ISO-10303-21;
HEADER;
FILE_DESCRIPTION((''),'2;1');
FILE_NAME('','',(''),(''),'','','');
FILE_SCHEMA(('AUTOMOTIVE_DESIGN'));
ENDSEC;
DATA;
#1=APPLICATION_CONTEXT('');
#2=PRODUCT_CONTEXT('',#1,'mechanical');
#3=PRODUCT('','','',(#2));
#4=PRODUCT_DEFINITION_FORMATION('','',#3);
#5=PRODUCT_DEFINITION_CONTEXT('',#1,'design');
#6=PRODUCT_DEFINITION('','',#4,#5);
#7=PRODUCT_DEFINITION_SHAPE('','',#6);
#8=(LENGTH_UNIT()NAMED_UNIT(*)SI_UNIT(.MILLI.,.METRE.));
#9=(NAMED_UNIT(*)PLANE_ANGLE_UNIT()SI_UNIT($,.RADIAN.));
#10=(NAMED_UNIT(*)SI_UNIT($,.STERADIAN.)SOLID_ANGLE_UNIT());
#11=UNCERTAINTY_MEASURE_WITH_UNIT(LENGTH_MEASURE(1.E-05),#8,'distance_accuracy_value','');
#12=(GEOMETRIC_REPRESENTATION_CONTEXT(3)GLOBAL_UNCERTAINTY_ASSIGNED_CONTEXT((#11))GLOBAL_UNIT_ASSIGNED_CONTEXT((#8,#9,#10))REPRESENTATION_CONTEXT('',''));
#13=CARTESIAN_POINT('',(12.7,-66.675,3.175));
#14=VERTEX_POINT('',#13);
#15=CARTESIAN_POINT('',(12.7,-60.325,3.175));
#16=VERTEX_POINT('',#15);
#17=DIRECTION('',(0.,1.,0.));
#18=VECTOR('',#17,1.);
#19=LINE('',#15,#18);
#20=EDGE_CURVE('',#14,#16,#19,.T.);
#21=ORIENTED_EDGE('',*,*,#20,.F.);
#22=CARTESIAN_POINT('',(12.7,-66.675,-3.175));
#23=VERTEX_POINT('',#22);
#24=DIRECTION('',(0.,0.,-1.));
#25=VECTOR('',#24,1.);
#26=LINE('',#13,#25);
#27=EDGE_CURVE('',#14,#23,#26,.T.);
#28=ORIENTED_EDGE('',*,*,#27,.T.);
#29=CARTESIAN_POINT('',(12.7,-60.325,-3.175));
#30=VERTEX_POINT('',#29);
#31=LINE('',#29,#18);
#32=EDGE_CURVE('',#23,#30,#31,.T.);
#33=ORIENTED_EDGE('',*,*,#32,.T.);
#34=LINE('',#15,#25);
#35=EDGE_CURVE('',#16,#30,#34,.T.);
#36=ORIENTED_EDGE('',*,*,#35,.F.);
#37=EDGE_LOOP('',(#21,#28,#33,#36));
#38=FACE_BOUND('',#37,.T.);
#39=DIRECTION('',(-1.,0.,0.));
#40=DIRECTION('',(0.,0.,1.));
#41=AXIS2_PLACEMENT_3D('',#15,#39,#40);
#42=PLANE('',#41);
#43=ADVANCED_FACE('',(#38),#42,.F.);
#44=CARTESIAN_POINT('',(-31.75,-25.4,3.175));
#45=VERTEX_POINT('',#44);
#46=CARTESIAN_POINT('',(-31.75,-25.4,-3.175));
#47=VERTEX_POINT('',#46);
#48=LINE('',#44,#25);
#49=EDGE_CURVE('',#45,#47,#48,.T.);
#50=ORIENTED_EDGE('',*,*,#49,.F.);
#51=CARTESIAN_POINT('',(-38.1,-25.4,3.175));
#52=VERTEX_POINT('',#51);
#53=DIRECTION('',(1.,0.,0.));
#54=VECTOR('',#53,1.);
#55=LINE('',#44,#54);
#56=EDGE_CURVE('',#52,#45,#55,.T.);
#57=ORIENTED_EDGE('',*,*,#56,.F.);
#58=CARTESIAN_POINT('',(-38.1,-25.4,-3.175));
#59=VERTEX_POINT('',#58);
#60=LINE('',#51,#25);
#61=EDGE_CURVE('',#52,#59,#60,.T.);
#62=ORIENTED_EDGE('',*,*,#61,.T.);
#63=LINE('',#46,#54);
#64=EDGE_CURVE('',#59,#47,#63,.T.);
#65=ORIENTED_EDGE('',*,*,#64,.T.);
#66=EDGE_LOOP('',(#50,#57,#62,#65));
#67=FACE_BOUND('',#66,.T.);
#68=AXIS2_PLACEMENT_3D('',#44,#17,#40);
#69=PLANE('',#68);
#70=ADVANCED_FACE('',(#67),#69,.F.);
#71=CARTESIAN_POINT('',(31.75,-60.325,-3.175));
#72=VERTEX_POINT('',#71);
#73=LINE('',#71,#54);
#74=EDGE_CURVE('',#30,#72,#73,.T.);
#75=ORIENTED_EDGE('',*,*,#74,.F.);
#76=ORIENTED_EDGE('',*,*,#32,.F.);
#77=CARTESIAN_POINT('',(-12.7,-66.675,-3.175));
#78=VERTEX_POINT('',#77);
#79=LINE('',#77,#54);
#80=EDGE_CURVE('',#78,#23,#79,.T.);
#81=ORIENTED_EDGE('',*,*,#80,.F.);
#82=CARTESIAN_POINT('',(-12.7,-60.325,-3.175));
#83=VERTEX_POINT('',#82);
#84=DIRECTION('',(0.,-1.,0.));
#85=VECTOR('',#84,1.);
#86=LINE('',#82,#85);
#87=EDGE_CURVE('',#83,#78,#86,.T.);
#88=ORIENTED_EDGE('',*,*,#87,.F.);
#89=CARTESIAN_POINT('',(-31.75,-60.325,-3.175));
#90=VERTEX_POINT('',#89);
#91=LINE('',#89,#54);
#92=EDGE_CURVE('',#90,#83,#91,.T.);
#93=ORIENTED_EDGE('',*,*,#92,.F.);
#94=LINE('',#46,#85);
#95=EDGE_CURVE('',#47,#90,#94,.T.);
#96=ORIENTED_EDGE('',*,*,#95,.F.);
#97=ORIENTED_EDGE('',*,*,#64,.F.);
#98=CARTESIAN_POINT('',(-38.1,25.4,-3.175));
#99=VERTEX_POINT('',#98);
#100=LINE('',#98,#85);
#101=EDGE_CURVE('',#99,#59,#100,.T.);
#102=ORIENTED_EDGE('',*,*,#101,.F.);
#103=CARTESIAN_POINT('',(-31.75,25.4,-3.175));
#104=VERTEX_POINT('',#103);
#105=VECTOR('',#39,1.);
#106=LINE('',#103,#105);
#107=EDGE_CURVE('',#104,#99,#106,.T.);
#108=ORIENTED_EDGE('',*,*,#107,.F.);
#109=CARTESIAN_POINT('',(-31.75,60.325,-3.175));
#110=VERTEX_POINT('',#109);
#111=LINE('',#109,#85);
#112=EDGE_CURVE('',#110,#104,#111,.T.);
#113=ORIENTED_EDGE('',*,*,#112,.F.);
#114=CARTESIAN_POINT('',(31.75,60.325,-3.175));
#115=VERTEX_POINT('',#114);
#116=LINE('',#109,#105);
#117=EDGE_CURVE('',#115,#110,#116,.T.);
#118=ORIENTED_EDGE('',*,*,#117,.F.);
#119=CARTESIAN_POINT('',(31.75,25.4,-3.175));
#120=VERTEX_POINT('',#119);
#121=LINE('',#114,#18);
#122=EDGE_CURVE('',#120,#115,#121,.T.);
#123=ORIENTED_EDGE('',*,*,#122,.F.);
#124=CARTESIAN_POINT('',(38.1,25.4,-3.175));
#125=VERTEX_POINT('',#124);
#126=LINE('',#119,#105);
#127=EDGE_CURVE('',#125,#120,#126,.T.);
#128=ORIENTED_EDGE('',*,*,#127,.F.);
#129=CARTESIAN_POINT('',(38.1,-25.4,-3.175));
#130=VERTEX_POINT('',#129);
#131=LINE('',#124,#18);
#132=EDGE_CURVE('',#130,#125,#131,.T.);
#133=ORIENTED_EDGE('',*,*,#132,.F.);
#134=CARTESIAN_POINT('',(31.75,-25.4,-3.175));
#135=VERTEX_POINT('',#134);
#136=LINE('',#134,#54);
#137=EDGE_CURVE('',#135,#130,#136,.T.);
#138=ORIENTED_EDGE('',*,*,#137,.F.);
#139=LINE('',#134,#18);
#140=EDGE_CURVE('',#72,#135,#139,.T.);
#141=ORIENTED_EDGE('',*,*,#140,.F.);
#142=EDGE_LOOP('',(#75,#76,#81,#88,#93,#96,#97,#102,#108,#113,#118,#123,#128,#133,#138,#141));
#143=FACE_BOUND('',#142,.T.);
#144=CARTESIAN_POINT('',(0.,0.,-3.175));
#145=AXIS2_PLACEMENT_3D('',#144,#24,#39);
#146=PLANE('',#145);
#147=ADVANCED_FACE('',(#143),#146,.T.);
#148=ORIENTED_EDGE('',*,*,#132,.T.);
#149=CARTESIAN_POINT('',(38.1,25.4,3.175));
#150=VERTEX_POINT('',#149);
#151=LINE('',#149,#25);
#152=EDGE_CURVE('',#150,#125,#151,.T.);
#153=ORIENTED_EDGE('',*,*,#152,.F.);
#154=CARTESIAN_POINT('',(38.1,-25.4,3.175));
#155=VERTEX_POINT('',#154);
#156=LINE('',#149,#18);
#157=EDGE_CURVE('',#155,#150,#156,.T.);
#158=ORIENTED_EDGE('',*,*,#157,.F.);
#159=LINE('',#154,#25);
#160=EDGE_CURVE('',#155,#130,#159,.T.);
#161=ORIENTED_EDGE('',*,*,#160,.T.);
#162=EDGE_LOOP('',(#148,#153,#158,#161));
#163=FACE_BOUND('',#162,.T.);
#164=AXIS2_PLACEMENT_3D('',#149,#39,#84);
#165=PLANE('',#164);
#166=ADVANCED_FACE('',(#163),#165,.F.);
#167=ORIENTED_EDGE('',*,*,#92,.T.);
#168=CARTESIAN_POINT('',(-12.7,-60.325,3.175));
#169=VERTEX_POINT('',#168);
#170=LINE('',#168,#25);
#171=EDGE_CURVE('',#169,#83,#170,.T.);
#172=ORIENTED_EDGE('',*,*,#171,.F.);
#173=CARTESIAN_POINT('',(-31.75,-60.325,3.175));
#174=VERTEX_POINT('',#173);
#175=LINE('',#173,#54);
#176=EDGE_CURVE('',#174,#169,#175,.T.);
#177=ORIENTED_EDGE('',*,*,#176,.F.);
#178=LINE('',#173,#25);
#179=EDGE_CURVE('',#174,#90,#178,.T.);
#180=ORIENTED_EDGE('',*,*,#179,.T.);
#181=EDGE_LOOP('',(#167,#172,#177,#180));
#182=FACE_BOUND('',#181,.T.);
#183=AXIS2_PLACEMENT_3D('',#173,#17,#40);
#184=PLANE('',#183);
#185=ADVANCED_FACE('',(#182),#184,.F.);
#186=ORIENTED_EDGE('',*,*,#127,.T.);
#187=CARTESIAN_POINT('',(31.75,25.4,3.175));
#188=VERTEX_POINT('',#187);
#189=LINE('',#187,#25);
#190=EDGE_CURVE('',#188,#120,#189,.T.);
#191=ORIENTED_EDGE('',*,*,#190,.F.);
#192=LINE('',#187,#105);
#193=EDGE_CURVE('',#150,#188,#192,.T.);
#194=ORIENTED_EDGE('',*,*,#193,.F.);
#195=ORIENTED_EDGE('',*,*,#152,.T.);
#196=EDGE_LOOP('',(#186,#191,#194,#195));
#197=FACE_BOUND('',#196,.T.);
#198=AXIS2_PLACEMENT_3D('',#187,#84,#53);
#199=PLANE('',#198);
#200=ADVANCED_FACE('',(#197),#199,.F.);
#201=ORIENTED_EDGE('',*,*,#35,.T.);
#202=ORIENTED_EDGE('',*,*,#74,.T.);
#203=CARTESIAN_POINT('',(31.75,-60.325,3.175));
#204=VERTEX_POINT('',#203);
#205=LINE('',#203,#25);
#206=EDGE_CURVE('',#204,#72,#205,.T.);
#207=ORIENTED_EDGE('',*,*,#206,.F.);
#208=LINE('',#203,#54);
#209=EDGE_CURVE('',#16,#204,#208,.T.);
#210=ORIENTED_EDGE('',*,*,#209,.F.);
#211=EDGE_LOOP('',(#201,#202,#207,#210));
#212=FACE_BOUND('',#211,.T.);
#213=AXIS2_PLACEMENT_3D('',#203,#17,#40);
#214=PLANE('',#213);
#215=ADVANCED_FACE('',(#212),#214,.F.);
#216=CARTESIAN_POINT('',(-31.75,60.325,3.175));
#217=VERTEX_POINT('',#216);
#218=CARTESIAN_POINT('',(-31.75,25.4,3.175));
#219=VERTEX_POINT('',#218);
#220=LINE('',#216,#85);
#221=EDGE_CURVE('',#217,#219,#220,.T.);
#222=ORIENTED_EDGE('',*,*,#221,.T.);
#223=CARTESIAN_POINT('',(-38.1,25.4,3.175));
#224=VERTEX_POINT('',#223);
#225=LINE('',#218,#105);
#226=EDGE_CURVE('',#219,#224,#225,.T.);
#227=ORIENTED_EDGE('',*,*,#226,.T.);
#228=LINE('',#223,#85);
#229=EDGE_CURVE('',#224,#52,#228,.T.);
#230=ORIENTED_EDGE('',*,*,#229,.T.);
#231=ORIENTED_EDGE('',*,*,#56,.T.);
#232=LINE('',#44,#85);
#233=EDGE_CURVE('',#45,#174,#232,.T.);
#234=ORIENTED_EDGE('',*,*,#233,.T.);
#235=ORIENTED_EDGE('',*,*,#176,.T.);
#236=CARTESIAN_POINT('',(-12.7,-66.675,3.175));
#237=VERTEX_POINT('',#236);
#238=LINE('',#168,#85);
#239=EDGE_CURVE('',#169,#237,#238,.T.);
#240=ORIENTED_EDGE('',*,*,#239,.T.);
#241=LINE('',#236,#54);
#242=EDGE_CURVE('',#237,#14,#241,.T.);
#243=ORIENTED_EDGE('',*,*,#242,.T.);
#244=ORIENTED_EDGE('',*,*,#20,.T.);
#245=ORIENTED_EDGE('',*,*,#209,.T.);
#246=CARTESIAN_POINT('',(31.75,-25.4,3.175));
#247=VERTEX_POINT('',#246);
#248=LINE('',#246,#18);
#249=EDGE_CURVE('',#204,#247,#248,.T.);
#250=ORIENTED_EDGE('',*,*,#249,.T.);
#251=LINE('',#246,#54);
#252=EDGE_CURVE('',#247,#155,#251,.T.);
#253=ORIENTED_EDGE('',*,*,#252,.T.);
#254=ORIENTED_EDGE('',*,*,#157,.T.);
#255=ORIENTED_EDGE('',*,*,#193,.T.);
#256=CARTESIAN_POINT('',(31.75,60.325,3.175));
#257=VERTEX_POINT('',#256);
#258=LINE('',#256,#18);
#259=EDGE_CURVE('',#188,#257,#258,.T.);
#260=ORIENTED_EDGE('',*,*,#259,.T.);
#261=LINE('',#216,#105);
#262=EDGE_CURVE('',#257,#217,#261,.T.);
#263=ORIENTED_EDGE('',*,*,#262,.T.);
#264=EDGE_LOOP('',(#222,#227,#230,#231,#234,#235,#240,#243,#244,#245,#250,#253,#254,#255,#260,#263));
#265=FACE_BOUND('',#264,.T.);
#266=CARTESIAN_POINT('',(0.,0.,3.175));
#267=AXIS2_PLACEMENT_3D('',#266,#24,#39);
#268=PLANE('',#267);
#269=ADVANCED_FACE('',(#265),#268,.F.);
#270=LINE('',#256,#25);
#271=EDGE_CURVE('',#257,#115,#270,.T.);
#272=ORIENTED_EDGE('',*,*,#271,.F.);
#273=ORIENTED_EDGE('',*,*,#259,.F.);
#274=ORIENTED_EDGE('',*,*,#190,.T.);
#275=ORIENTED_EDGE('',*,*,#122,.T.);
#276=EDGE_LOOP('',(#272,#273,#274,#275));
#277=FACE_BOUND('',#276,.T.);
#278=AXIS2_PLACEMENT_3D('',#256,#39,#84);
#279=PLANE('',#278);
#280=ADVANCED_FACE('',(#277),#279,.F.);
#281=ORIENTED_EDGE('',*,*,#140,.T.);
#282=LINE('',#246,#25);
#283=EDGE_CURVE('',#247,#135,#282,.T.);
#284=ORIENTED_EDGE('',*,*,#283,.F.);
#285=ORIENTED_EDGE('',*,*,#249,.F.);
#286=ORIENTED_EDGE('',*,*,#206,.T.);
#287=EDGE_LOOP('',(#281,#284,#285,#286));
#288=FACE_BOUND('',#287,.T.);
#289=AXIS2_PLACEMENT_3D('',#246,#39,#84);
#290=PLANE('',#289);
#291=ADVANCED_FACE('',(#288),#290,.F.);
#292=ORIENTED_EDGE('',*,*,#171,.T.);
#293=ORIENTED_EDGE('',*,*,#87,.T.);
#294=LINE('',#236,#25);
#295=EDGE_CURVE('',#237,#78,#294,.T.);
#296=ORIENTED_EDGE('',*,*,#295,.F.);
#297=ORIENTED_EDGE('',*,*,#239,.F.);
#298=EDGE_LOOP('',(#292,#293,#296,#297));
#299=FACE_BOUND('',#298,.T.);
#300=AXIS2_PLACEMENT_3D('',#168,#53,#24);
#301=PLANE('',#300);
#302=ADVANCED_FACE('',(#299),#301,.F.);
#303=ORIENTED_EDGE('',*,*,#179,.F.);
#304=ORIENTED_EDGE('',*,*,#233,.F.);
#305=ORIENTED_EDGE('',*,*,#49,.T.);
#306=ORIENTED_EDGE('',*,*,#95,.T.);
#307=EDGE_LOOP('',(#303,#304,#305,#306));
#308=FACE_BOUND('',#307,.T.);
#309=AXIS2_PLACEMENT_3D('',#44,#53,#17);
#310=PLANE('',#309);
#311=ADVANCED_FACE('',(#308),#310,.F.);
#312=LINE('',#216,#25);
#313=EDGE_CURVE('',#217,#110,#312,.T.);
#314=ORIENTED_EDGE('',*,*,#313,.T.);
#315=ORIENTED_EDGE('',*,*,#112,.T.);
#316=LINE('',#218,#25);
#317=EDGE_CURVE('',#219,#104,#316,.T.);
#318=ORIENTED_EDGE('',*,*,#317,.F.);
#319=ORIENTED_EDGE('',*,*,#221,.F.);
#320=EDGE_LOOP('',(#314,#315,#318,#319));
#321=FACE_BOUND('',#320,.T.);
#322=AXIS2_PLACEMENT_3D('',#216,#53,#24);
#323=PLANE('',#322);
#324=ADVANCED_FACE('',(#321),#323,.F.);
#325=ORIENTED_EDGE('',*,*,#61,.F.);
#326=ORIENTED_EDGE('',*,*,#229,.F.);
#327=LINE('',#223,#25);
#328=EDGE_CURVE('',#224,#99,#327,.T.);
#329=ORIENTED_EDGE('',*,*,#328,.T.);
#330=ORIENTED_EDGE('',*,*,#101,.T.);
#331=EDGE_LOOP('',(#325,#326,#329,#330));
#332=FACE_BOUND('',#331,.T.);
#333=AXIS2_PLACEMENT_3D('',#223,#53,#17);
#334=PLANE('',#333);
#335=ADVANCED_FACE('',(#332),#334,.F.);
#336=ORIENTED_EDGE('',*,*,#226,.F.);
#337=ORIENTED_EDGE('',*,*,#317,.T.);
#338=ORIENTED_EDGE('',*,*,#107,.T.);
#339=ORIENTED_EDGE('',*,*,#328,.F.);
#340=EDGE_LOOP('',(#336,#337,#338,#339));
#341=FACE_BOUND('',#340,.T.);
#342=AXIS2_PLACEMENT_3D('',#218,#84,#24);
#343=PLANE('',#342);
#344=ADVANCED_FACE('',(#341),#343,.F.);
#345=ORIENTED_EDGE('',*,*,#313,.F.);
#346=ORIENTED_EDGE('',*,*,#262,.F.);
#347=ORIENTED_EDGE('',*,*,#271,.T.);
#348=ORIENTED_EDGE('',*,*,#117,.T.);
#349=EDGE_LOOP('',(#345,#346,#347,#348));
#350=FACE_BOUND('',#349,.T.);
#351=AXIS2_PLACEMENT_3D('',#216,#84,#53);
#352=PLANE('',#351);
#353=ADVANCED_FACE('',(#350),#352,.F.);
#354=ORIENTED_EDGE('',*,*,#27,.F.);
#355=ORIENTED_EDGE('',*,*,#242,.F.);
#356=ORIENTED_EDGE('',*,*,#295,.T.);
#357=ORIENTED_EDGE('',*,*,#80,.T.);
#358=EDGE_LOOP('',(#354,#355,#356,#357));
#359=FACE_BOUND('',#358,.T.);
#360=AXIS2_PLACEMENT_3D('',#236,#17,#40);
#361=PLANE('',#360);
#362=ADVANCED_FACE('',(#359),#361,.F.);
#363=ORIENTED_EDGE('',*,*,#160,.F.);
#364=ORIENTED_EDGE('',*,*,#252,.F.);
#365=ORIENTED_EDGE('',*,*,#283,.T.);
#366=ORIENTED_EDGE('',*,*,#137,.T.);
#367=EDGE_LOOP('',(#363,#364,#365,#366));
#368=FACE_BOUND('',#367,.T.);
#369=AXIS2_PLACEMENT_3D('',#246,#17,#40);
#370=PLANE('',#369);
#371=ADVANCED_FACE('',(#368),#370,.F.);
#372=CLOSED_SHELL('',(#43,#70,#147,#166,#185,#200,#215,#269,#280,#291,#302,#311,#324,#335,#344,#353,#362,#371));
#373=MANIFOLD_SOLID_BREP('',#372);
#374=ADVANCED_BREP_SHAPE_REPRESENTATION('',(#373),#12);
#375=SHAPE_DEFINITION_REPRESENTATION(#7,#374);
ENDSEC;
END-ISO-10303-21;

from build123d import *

# Parameters (mm, degrees)
BOSS_EXTRUDE1_DEPTH = 3.175


with BuildPart() as part:
    # Sketch1 → Boss-Extrude1 (new, symmetric)
    with BuildSketch(Plane.XY):
        Polygon((-31.75, -25.4), (-31.75, -60.325), (-12.7, -60.325), (-12.7, -66.675), (12.7, -66.675), (12.7, -60.325), (31.75, -60.325), (31.75, -25.4), (38.1, -25.4), (38.1, 25.4), (31.75, 25.4), (31.75, 60.325), (-31.75, 60.325), (-31.75, 25.4), (-38.1, 25.4), (-38.1, -25.4), align=None)
    extrude(amount=BOSS_EXTRUDE1_DEPTH, both=True)


solid = part.part
